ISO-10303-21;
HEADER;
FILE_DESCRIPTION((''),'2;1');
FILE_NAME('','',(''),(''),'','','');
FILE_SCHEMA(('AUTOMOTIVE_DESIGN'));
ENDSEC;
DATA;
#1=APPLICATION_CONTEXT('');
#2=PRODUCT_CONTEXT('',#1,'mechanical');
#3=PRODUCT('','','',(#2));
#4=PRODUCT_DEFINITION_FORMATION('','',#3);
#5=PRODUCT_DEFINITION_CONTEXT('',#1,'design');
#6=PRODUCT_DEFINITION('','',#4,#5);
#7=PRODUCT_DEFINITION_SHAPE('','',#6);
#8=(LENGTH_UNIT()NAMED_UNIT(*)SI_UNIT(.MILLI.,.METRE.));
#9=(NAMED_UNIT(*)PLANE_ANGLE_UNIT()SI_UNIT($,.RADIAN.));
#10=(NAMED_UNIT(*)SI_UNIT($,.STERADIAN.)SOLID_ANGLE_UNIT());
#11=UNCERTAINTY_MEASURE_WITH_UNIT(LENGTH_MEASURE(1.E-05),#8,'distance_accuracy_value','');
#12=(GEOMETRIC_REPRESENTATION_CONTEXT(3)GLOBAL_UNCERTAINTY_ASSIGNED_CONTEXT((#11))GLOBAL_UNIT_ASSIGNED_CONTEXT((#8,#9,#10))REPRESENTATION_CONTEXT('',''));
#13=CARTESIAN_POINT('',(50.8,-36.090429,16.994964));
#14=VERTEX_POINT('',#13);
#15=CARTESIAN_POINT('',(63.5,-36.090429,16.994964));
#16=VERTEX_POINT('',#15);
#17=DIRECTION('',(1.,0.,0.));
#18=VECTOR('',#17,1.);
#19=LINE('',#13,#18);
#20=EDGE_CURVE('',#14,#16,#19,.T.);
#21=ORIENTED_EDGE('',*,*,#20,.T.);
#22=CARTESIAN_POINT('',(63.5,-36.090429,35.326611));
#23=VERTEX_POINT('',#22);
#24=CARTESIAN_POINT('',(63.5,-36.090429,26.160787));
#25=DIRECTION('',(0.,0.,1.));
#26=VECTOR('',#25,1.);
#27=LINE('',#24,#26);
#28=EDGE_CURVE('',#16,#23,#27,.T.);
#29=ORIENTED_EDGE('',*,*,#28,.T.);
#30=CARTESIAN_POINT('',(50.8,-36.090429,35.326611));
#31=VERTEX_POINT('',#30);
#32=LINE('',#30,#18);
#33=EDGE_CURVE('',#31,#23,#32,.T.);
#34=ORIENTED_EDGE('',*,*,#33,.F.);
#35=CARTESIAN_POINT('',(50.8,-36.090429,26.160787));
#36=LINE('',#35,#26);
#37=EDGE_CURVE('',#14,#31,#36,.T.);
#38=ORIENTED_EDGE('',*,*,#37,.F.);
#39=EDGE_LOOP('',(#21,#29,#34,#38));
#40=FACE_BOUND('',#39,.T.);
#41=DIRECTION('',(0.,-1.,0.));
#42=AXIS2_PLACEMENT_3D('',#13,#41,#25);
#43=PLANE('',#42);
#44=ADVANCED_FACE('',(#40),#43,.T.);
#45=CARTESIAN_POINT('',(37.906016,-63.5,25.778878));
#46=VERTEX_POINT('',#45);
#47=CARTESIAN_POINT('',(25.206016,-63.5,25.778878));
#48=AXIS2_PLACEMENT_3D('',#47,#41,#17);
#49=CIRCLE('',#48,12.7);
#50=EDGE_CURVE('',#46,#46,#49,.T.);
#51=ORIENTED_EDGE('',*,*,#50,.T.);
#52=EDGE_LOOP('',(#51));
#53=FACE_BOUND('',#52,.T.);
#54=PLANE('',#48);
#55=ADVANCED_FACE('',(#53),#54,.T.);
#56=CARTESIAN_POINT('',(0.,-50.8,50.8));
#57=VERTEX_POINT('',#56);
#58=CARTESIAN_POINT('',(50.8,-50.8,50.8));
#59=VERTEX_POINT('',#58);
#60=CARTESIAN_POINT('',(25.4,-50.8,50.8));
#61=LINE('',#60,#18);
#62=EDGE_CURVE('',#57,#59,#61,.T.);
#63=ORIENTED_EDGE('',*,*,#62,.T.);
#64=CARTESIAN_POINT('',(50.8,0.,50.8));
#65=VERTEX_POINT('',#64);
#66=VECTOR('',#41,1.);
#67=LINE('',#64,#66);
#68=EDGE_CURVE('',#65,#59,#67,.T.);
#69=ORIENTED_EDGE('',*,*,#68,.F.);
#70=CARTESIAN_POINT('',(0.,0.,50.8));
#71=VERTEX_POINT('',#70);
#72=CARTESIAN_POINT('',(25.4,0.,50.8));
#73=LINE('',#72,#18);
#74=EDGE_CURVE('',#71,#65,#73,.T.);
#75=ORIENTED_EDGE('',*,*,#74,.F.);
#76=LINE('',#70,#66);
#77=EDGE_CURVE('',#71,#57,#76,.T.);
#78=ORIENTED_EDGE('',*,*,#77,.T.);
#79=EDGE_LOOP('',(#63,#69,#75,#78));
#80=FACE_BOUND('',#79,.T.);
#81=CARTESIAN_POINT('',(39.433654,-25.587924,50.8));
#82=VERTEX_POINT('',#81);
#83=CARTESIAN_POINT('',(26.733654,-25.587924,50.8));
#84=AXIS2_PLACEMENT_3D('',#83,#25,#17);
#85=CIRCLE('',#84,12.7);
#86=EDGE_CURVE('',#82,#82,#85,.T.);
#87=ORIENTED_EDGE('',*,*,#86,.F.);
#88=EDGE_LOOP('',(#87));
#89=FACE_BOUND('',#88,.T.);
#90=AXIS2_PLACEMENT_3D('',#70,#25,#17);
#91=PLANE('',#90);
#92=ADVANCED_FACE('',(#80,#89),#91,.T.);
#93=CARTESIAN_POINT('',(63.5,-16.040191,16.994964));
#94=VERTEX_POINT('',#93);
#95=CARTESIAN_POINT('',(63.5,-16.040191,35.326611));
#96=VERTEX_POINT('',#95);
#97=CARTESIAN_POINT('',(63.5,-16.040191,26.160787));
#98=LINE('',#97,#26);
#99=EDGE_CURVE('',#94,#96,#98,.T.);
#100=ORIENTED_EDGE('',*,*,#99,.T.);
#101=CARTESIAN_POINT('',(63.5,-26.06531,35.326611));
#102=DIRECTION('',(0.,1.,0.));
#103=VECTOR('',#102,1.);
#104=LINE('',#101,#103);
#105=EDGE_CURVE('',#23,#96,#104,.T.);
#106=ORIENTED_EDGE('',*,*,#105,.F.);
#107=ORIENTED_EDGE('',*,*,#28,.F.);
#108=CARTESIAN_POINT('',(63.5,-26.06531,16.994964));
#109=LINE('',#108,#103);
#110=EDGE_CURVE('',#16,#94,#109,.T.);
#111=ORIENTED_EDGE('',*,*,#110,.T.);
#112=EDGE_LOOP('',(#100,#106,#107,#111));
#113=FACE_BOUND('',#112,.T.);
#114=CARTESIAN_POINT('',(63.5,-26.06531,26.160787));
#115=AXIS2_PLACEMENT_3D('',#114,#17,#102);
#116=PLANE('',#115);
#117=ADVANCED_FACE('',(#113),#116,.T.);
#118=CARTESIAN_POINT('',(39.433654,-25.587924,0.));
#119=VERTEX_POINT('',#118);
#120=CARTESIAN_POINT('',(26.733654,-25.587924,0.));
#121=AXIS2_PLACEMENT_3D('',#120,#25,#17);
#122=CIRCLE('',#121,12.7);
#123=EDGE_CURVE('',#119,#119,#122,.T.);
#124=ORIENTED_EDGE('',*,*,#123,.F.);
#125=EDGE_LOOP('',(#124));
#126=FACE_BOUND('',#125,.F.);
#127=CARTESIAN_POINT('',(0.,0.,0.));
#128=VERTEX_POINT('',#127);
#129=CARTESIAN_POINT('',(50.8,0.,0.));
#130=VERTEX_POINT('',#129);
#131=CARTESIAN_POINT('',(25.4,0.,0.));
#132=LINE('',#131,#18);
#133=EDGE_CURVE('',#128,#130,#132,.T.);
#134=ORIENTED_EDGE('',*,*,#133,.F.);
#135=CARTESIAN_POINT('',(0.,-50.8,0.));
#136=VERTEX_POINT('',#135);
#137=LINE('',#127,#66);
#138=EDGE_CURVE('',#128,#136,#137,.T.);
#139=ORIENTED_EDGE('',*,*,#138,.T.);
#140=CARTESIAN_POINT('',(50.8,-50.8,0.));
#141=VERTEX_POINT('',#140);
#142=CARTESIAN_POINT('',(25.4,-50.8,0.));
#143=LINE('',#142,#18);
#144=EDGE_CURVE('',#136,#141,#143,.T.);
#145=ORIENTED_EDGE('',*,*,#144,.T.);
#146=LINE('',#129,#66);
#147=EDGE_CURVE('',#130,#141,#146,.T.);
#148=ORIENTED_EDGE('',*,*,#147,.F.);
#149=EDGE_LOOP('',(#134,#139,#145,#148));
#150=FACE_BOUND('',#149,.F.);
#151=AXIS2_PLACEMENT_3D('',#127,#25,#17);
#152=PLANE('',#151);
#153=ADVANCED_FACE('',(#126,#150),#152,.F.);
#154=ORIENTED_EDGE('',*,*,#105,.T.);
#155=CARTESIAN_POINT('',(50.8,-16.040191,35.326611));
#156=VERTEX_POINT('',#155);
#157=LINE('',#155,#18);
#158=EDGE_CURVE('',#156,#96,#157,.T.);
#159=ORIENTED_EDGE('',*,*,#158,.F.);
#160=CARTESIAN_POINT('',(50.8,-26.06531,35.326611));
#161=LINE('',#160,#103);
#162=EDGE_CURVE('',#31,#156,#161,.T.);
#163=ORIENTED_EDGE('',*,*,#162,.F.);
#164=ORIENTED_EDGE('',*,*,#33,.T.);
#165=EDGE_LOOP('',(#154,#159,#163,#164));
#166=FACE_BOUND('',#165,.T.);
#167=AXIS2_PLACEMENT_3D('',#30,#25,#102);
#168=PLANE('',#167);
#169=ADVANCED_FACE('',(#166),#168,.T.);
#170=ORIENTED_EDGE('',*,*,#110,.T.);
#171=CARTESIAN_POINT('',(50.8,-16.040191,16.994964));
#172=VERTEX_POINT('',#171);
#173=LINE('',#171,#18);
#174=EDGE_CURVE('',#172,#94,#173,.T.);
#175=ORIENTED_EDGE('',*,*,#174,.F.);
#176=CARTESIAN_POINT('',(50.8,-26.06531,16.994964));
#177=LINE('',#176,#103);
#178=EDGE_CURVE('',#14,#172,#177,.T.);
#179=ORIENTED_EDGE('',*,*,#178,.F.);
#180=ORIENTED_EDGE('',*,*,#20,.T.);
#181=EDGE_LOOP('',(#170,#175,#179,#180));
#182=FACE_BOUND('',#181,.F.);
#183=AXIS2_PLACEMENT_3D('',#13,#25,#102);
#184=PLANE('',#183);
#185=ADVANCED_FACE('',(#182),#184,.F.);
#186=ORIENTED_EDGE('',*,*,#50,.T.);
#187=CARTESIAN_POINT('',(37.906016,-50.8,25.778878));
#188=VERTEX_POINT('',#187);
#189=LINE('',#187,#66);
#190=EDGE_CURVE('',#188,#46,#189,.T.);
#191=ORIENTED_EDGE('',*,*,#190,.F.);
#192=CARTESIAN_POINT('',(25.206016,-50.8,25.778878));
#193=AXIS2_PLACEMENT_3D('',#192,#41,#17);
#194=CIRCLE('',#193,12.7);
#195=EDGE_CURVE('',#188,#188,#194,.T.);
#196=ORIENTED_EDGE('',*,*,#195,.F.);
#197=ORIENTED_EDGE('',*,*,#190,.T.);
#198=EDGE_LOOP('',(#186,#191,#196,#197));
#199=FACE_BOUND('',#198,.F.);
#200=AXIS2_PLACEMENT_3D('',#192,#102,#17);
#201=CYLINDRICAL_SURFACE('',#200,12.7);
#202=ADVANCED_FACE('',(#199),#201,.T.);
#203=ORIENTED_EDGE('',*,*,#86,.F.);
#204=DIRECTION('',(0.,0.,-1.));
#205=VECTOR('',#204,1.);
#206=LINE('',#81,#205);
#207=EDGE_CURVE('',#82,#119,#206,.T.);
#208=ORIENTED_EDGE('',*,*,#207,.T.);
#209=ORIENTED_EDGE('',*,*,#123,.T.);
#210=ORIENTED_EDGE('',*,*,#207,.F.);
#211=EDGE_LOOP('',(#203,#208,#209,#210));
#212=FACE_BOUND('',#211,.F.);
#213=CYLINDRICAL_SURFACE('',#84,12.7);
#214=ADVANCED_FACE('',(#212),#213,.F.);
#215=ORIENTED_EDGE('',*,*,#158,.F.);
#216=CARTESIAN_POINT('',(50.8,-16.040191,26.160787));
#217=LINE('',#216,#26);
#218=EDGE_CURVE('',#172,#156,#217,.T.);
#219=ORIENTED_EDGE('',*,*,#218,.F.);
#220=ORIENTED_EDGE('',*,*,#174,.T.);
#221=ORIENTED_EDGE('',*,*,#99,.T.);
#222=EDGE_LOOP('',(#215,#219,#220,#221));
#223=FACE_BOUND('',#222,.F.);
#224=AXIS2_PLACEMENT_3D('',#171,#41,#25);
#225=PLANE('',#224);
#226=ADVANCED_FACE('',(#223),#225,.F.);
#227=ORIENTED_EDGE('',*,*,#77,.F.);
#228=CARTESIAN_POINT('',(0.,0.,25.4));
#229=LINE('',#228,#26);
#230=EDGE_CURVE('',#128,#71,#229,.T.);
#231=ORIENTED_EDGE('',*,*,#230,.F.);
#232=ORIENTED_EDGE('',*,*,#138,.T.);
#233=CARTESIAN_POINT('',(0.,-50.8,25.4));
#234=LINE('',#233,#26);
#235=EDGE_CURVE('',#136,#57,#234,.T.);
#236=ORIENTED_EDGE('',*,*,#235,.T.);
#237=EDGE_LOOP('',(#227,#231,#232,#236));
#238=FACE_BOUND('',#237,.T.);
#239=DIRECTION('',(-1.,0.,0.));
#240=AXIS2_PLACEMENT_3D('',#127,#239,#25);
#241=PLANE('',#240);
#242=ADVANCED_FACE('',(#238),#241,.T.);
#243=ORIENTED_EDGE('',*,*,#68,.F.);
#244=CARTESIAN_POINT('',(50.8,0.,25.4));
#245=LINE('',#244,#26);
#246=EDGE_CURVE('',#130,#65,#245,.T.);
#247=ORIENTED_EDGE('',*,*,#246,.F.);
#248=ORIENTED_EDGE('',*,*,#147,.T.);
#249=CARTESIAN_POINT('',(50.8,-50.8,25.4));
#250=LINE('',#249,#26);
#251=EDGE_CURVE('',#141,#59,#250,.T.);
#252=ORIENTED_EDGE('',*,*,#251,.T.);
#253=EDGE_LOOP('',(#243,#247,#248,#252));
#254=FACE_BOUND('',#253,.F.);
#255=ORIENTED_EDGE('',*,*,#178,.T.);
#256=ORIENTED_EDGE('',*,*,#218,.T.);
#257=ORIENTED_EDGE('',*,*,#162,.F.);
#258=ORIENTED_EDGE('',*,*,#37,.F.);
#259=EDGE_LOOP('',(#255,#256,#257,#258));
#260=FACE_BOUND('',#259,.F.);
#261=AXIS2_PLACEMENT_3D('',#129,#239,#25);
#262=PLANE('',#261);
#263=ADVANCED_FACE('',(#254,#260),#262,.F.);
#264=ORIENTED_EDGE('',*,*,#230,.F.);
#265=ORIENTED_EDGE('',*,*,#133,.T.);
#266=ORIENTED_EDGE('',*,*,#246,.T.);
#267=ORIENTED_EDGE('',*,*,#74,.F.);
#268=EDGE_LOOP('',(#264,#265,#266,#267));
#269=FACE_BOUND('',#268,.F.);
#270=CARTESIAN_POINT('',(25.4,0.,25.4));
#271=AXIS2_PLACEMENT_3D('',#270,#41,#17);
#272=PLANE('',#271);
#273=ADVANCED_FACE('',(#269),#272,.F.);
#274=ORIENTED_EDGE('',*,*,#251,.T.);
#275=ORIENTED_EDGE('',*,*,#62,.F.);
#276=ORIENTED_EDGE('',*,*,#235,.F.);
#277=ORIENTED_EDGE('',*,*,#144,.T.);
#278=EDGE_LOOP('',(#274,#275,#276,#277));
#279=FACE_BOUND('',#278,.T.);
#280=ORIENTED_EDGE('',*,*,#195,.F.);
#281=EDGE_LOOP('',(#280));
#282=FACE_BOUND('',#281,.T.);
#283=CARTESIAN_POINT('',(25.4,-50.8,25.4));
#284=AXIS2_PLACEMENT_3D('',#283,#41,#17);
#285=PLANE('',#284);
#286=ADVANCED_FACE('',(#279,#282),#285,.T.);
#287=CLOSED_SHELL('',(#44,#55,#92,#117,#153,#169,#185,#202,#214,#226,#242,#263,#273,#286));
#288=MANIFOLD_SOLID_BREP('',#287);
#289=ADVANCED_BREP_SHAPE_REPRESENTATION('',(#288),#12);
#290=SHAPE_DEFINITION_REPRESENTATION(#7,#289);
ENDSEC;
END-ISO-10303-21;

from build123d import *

# Parameters (mm, degrees)
F0_W     = 50.8
F0_H     = 50.8
F1_DEPTH = 50.8
F2_R     = 12.7
F3_DEPTH = 12.7
F4_W     = 20.050239
F4_H     = 18.331647
F5_DEPTH = 12.7
F6_R     = 12.7
F7_DEPTH = 50.8


with BuildPart() as f1:
    # F0 (on Front) → F1 (new body)
    with BuildSketch(Plane.XZ):
        with Locations((25.4, 25.4)):
            Rectangle(F0_W, F0_H)
    extrude(amount=F1_DEPTH)

    # F2 (on face) → F3 (join)
    with BuildSketch(Plane.XZ.offset(50.8)):
        with Locations((25.206016, 25.778878)):
            Circle(F2_R)
    extrude(amount=F3_DEPTH)

    # F4 (on face) → F5 (join)
    with BuildSketch(Plane.YZ.offset(50.8)):
        with Locations((-26.06531, 26.160787)):
            Rectangle(F4_W, F4_H)
    extrude(amount=F5_DEPTH)

    # F6 (on face) → F7 (cut)
    with BuildSketch(Plane.XY.offset(50.8)):
        with Locations((26.733654, -25.587924)):
            Circle(F6_R)
    extrude(amount=-F7_DEPTH, mode=Mode.SUBTRACT)


solid = f1.part
